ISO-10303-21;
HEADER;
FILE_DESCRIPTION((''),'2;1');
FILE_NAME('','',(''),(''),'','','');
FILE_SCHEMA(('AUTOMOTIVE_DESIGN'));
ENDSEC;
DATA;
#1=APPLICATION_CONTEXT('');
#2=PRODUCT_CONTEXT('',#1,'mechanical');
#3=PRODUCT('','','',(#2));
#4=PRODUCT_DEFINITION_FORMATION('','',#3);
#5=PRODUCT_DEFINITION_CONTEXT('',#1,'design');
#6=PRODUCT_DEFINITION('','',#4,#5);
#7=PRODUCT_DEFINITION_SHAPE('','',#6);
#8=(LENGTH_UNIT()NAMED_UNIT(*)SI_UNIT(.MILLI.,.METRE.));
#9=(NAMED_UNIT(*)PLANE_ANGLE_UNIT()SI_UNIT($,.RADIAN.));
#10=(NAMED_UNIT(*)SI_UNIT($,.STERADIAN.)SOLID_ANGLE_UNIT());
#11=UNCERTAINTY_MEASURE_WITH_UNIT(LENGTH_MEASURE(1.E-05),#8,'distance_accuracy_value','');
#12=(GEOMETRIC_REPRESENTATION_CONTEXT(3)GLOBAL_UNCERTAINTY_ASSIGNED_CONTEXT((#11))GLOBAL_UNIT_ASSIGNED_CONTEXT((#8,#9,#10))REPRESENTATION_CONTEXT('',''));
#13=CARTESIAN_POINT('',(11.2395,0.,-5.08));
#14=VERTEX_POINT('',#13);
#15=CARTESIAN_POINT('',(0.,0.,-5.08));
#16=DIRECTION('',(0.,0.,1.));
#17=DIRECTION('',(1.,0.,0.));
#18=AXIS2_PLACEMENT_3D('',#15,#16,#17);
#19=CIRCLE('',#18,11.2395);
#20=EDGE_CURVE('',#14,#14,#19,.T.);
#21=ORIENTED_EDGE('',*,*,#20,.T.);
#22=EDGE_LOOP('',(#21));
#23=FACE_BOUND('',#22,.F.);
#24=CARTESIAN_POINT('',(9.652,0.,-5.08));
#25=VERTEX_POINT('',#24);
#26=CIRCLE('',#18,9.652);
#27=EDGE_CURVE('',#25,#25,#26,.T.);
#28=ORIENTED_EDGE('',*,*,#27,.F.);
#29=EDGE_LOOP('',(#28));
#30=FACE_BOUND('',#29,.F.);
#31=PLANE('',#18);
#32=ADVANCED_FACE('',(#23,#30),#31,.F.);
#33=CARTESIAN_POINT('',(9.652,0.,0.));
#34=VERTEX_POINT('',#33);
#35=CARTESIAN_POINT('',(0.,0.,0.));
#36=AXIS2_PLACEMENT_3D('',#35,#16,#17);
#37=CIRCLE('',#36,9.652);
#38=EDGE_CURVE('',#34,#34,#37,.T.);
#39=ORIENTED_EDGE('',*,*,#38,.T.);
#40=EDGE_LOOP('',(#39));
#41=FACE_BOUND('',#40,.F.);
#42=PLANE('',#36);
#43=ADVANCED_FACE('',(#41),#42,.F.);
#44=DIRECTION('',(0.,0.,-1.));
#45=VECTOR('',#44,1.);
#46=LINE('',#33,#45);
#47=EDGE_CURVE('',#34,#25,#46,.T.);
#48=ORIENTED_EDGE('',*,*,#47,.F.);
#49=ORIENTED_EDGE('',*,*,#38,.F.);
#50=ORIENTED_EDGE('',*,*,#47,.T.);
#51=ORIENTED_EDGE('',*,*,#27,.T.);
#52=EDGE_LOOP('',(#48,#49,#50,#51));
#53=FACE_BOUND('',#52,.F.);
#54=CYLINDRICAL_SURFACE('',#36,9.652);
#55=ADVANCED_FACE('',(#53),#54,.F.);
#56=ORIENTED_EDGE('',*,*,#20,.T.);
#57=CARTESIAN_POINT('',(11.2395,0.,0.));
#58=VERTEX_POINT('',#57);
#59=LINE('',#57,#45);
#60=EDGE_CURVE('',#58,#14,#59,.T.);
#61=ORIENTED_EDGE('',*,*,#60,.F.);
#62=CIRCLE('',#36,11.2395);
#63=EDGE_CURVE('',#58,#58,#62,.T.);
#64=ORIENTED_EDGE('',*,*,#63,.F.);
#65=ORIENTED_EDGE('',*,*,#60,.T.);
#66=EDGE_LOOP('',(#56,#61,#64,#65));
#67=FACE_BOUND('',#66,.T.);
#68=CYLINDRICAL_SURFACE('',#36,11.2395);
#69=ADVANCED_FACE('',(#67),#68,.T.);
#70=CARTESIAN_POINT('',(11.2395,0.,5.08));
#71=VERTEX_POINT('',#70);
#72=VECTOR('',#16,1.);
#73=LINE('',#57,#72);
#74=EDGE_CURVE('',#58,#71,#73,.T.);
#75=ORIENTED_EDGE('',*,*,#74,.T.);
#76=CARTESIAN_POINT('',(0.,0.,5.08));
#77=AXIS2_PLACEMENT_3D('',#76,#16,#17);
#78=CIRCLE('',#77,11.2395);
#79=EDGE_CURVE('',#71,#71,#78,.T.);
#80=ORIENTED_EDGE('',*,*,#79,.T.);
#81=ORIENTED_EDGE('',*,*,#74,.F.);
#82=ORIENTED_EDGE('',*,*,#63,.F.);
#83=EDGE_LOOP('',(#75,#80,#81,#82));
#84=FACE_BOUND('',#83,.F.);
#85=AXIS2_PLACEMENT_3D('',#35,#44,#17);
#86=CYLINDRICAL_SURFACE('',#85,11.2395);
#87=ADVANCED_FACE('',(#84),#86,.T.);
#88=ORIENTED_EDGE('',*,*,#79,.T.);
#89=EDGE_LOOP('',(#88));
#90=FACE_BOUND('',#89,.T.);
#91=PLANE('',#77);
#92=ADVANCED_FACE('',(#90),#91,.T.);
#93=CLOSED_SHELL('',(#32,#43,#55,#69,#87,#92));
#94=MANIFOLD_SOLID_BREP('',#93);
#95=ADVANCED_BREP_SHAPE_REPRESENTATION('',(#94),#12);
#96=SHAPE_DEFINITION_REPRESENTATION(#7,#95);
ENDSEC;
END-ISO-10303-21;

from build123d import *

# Parameters (mm, degrees)
F0_R     = 11.2395
F0_R_2   = 9.652
F1_DEPTH = 5.08
F2_DEPTH = 5.08


with BuildPart() as f1:
    # F0 (on Top) → F1 (new body)
    with BuildSketch(Plane.XY):
        Circle(F0_R)
        Circle(F0_R_2, mode=Mode.SUBTRACT)
    extrude(amount=-F1_DEPTH)

    # F0 (on Top) → F2 (join)
    with BuildSketch(Plane.XY):
        Circle(F0_R)
        Circle(F0_R_2, mode=Mode.SUBTRACT)
        Circle(F0_R_2)
    extrude(amount=F2_DEPTH)


solid = f1.part
